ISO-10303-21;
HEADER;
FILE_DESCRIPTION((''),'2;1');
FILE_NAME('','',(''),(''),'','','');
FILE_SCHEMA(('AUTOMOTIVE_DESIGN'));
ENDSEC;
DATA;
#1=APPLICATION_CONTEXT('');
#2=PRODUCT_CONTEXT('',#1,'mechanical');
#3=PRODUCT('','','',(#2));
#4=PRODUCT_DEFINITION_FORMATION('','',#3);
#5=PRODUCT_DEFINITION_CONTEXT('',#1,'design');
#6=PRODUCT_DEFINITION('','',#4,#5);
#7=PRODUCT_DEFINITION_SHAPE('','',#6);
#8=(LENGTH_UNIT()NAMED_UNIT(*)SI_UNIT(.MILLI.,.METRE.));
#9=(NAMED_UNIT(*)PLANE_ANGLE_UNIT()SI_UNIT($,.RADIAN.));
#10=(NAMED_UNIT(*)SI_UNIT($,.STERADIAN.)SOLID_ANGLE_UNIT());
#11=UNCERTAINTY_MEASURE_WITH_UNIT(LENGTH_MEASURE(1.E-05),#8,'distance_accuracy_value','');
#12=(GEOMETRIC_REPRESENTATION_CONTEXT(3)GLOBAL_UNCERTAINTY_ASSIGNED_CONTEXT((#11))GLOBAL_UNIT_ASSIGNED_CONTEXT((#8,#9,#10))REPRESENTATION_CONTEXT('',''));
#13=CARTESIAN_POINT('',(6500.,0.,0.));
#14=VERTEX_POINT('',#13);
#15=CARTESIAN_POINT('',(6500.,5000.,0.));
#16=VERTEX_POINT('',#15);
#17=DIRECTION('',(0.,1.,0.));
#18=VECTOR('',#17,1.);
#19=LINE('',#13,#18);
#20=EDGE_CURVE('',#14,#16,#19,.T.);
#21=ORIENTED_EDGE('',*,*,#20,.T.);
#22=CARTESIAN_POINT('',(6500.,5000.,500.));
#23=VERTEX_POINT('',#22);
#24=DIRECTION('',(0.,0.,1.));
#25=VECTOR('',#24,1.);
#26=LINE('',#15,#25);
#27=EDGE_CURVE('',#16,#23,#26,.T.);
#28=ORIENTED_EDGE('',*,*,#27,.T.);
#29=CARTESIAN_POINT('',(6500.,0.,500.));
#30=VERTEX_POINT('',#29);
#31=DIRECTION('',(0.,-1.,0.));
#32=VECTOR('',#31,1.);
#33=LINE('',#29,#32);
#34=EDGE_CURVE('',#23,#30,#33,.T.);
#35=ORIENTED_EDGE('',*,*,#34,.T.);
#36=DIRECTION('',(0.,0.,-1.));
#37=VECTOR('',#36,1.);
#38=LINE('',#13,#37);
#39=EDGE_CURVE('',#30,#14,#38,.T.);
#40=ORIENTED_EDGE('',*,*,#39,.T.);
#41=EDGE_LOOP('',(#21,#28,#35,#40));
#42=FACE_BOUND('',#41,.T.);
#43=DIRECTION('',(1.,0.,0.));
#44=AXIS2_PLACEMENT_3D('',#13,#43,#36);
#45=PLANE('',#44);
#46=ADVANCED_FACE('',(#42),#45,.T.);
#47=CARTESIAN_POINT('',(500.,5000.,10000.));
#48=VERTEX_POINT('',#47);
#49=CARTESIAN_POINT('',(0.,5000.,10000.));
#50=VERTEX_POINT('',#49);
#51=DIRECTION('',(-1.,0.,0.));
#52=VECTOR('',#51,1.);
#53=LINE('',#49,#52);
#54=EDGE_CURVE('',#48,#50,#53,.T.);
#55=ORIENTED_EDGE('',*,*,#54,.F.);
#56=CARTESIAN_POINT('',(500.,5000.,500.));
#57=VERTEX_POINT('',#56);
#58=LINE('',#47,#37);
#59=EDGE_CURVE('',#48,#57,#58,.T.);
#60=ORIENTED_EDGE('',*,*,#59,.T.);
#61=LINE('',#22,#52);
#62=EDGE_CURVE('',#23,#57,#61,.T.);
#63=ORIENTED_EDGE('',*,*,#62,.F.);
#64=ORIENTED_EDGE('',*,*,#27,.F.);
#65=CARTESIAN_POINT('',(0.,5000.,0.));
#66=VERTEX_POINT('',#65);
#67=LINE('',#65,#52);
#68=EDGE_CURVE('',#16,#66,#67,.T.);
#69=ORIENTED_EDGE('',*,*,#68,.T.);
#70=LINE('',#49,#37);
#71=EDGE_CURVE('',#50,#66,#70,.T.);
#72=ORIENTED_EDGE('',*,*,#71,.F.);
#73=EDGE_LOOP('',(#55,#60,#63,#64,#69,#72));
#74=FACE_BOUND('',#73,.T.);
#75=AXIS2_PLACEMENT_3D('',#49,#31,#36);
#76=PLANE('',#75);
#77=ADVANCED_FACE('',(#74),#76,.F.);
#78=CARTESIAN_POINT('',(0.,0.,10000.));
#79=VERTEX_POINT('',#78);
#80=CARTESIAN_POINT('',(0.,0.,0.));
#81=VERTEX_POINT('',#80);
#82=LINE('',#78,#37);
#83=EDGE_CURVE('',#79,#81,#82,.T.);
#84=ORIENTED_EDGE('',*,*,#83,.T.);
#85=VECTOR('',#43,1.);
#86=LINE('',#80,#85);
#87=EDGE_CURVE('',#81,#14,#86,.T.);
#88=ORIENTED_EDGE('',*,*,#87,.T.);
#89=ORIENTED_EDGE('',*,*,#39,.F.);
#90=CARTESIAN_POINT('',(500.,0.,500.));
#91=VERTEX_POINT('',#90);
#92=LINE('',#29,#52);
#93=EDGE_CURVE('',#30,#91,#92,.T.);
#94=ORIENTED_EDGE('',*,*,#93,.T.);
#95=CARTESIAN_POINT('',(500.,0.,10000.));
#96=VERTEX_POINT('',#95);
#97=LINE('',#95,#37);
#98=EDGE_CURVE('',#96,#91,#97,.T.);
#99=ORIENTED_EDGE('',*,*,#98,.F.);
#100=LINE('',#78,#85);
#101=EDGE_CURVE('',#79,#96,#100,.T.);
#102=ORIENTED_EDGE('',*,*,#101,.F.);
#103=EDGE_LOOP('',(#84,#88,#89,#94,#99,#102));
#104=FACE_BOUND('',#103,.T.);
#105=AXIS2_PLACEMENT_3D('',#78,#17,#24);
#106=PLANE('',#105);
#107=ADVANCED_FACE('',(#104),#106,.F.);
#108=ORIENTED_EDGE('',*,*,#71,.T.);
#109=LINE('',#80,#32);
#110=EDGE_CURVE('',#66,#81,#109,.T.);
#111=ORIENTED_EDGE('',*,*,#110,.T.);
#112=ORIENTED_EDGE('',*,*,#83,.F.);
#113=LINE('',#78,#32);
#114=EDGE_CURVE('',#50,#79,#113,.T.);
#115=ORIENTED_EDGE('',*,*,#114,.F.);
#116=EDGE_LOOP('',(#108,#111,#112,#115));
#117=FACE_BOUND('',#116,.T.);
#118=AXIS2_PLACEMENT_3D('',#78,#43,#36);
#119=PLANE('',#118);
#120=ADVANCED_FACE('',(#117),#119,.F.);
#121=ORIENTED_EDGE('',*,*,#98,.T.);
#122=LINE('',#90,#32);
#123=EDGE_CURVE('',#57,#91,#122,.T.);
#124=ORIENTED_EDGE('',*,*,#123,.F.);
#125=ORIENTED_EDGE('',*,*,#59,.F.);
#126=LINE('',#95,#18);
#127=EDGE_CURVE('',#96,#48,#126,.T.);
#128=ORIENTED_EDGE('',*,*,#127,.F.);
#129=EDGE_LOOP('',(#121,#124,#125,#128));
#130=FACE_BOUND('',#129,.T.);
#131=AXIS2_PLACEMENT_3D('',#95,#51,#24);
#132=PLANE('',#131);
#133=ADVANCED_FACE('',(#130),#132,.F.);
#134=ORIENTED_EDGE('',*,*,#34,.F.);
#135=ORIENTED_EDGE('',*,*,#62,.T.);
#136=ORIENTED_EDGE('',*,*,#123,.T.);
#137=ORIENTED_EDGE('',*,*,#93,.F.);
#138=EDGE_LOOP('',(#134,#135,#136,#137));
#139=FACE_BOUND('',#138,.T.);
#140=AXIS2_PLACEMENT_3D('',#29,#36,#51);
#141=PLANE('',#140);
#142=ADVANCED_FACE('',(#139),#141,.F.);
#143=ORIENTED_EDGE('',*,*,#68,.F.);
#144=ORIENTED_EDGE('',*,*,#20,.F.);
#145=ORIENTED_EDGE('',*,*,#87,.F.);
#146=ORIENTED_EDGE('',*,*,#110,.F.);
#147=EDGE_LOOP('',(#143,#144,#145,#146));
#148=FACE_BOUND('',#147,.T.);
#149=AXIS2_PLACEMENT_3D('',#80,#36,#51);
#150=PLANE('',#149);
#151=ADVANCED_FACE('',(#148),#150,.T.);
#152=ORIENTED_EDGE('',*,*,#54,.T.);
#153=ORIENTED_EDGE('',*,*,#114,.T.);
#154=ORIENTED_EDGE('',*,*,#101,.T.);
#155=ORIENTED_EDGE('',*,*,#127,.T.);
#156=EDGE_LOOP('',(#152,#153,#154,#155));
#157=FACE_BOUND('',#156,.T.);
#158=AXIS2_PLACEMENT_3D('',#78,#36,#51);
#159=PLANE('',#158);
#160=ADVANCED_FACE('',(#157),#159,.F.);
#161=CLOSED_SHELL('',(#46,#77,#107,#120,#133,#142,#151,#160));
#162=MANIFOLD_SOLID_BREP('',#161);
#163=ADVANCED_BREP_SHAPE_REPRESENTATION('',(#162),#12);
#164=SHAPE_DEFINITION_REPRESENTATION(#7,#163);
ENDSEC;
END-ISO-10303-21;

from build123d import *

# Parameters (mm, degrees)
SKETCH2_W           = 500
SKETCH2_H           = 5000
BOSS_EXTRUDE1_DEPTH = 10000
SKETCH3_W           = 500
SKETCH3_H           = 5000
BOSS_EXTRUDE2_DEPTH = 6000


with BuildPart() as part:
    # Sketch2 → Boss-Extrude1 (new body)
    with BuildSketch(Plane.XY):
        with Locations((250, 2500)):
            Rectangle(SKETCH2_W, SKETCH2_H)
    extrude(amount=BOSS_EXTRUDE1_DEPTH)

    # Sketch3 → Boss-Extrude2 (add)
    with BuildSketch(Plane(origin=(500, 0, 0), x_dir=(0, 0, -1), z_dir=(1, 0, 0))):
        with Locations((-250, 2500)):
            Rectangle(SKETCH3_W, SKETCH3_H)
    extrude(amount=BOSS_EXTRUDE2_DEPTH)


solid = part.part
